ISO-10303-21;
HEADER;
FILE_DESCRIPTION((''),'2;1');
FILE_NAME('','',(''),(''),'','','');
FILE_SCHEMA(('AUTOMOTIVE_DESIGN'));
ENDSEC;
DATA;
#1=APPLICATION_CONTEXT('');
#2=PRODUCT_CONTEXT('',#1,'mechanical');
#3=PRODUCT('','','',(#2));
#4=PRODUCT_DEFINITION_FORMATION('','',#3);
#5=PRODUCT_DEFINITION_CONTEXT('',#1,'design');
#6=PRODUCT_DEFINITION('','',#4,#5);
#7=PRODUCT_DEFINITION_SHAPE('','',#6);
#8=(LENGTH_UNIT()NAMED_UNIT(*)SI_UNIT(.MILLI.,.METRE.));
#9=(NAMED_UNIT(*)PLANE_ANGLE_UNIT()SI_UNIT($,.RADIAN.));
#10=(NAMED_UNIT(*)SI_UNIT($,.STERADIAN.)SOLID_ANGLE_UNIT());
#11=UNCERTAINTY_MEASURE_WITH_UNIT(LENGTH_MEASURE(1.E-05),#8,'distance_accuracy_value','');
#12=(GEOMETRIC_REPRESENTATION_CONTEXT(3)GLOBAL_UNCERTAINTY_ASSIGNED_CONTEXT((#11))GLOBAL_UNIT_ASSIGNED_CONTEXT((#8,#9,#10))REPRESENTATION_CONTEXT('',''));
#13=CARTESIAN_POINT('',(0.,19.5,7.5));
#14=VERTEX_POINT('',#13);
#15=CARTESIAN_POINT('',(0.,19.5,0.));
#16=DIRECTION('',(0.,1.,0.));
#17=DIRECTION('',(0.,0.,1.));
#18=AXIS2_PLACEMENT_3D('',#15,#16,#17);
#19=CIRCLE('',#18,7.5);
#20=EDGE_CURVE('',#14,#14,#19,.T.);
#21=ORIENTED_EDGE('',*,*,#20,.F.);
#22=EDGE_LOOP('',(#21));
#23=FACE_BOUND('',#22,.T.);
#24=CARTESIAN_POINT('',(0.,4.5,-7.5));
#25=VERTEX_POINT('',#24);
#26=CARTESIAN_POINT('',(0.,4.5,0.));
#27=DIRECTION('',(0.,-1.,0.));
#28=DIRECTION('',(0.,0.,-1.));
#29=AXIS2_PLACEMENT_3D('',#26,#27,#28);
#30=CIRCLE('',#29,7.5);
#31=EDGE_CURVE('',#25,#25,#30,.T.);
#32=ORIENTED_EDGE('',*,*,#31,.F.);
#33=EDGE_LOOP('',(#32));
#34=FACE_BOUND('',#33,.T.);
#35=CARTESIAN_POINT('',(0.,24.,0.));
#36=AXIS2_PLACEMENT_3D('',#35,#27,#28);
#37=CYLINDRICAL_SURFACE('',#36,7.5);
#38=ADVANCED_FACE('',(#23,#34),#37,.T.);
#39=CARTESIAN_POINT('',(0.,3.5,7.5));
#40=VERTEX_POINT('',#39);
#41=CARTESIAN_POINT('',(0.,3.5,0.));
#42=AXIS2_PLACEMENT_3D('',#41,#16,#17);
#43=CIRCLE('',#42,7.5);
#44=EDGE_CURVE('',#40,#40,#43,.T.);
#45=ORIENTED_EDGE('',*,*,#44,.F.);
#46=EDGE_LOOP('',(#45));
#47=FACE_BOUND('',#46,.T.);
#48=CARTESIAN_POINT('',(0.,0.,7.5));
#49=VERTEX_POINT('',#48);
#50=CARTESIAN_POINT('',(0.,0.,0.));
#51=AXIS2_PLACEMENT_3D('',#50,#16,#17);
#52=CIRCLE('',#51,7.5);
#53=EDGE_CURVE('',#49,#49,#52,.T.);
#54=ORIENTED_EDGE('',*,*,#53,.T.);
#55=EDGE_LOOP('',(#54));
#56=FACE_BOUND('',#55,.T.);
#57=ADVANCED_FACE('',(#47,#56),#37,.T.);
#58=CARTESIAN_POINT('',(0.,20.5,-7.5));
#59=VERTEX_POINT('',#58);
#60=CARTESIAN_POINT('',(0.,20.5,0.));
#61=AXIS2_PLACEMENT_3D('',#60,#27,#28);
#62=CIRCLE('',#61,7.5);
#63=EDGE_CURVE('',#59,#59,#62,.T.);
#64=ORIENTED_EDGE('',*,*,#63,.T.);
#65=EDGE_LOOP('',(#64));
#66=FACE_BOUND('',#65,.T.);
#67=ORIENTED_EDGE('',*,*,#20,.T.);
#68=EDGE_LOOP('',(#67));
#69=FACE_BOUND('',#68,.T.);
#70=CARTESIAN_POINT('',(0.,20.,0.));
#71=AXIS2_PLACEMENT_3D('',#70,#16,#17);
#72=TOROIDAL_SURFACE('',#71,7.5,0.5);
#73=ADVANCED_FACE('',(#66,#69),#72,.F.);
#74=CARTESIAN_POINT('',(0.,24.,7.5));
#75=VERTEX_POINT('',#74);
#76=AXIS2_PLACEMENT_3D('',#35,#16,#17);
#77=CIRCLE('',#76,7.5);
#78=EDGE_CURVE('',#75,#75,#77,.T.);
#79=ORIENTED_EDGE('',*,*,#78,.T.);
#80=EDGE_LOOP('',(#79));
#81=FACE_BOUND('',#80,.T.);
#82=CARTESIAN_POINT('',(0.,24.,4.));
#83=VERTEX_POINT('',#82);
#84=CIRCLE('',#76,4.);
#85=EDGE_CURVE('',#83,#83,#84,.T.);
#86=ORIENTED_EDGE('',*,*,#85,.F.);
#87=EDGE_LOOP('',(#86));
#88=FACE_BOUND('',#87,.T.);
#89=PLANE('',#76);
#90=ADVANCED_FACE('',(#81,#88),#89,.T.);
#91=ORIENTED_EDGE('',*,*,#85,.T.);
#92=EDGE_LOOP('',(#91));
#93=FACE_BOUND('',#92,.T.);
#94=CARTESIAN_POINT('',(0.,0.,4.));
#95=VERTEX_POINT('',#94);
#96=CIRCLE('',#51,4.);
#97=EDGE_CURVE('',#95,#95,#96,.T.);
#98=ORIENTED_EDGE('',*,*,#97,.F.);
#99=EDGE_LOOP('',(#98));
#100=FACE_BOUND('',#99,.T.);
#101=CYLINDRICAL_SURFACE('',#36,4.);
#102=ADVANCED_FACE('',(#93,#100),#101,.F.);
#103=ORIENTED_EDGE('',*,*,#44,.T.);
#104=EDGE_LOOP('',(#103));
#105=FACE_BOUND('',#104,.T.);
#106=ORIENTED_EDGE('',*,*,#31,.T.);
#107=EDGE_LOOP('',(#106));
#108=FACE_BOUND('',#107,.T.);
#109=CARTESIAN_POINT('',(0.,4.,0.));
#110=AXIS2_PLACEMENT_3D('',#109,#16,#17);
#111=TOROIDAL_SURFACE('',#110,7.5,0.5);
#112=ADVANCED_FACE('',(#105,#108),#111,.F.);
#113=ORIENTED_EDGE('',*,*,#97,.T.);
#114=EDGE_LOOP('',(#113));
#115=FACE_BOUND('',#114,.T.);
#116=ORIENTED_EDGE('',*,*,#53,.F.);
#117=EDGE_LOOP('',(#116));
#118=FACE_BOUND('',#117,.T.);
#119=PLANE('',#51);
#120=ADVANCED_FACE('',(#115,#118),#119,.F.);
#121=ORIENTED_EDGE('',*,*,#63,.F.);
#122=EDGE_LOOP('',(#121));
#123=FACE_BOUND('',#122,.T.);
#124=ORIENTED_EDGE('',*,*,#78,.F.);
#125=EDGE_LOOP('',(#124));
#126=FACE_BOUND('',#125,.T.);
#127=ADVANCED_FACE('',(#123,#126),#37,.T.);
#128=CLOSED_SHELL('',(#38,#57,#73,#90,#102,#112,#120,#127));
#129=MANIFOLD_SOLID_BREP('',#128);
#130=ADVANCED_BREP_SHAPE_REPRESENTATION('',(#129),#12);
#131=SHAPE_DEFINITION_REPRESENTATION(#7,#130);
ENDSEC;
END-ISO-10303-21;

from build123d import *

# Parameters (mm, degrees)
SKETCH1_R           = 7.5
SKETCH1_R_2         = 4
BOSS_EXTRUDE1_DEPTH = 24
SKETCH2_R           = 0.5


with BuildPart() as part:
    # Sketch1 → Boss-Extrude1 (new body)
    with BuildSketch(Plane(origin=(0, 0, 0), x_dir=(1, 0, 0), z_dir=(0, 1, 0))):
        Circle(SKETCH1_R)
        Circle(SKETCH1_R_2, mode=Mode.SUBTRACT)
    extrude(amount=BOSS_EXTRUDE1_DEPTH)

    # Sketch2 → Cut-Revolve1 (revolve, cut)
    with BuildSketch(Plane.XY):
        with Locations((7.5, 4)):
            Circle(SKETCH2_R)
        with Locations((7.5, 20)):
            Circle(SKETCH2_R)
    revolve(axis=Axis((0, 20.782039023, 0), (0, -1, 0)), mode=Mode.SUBTRACT)


solid = part.part
